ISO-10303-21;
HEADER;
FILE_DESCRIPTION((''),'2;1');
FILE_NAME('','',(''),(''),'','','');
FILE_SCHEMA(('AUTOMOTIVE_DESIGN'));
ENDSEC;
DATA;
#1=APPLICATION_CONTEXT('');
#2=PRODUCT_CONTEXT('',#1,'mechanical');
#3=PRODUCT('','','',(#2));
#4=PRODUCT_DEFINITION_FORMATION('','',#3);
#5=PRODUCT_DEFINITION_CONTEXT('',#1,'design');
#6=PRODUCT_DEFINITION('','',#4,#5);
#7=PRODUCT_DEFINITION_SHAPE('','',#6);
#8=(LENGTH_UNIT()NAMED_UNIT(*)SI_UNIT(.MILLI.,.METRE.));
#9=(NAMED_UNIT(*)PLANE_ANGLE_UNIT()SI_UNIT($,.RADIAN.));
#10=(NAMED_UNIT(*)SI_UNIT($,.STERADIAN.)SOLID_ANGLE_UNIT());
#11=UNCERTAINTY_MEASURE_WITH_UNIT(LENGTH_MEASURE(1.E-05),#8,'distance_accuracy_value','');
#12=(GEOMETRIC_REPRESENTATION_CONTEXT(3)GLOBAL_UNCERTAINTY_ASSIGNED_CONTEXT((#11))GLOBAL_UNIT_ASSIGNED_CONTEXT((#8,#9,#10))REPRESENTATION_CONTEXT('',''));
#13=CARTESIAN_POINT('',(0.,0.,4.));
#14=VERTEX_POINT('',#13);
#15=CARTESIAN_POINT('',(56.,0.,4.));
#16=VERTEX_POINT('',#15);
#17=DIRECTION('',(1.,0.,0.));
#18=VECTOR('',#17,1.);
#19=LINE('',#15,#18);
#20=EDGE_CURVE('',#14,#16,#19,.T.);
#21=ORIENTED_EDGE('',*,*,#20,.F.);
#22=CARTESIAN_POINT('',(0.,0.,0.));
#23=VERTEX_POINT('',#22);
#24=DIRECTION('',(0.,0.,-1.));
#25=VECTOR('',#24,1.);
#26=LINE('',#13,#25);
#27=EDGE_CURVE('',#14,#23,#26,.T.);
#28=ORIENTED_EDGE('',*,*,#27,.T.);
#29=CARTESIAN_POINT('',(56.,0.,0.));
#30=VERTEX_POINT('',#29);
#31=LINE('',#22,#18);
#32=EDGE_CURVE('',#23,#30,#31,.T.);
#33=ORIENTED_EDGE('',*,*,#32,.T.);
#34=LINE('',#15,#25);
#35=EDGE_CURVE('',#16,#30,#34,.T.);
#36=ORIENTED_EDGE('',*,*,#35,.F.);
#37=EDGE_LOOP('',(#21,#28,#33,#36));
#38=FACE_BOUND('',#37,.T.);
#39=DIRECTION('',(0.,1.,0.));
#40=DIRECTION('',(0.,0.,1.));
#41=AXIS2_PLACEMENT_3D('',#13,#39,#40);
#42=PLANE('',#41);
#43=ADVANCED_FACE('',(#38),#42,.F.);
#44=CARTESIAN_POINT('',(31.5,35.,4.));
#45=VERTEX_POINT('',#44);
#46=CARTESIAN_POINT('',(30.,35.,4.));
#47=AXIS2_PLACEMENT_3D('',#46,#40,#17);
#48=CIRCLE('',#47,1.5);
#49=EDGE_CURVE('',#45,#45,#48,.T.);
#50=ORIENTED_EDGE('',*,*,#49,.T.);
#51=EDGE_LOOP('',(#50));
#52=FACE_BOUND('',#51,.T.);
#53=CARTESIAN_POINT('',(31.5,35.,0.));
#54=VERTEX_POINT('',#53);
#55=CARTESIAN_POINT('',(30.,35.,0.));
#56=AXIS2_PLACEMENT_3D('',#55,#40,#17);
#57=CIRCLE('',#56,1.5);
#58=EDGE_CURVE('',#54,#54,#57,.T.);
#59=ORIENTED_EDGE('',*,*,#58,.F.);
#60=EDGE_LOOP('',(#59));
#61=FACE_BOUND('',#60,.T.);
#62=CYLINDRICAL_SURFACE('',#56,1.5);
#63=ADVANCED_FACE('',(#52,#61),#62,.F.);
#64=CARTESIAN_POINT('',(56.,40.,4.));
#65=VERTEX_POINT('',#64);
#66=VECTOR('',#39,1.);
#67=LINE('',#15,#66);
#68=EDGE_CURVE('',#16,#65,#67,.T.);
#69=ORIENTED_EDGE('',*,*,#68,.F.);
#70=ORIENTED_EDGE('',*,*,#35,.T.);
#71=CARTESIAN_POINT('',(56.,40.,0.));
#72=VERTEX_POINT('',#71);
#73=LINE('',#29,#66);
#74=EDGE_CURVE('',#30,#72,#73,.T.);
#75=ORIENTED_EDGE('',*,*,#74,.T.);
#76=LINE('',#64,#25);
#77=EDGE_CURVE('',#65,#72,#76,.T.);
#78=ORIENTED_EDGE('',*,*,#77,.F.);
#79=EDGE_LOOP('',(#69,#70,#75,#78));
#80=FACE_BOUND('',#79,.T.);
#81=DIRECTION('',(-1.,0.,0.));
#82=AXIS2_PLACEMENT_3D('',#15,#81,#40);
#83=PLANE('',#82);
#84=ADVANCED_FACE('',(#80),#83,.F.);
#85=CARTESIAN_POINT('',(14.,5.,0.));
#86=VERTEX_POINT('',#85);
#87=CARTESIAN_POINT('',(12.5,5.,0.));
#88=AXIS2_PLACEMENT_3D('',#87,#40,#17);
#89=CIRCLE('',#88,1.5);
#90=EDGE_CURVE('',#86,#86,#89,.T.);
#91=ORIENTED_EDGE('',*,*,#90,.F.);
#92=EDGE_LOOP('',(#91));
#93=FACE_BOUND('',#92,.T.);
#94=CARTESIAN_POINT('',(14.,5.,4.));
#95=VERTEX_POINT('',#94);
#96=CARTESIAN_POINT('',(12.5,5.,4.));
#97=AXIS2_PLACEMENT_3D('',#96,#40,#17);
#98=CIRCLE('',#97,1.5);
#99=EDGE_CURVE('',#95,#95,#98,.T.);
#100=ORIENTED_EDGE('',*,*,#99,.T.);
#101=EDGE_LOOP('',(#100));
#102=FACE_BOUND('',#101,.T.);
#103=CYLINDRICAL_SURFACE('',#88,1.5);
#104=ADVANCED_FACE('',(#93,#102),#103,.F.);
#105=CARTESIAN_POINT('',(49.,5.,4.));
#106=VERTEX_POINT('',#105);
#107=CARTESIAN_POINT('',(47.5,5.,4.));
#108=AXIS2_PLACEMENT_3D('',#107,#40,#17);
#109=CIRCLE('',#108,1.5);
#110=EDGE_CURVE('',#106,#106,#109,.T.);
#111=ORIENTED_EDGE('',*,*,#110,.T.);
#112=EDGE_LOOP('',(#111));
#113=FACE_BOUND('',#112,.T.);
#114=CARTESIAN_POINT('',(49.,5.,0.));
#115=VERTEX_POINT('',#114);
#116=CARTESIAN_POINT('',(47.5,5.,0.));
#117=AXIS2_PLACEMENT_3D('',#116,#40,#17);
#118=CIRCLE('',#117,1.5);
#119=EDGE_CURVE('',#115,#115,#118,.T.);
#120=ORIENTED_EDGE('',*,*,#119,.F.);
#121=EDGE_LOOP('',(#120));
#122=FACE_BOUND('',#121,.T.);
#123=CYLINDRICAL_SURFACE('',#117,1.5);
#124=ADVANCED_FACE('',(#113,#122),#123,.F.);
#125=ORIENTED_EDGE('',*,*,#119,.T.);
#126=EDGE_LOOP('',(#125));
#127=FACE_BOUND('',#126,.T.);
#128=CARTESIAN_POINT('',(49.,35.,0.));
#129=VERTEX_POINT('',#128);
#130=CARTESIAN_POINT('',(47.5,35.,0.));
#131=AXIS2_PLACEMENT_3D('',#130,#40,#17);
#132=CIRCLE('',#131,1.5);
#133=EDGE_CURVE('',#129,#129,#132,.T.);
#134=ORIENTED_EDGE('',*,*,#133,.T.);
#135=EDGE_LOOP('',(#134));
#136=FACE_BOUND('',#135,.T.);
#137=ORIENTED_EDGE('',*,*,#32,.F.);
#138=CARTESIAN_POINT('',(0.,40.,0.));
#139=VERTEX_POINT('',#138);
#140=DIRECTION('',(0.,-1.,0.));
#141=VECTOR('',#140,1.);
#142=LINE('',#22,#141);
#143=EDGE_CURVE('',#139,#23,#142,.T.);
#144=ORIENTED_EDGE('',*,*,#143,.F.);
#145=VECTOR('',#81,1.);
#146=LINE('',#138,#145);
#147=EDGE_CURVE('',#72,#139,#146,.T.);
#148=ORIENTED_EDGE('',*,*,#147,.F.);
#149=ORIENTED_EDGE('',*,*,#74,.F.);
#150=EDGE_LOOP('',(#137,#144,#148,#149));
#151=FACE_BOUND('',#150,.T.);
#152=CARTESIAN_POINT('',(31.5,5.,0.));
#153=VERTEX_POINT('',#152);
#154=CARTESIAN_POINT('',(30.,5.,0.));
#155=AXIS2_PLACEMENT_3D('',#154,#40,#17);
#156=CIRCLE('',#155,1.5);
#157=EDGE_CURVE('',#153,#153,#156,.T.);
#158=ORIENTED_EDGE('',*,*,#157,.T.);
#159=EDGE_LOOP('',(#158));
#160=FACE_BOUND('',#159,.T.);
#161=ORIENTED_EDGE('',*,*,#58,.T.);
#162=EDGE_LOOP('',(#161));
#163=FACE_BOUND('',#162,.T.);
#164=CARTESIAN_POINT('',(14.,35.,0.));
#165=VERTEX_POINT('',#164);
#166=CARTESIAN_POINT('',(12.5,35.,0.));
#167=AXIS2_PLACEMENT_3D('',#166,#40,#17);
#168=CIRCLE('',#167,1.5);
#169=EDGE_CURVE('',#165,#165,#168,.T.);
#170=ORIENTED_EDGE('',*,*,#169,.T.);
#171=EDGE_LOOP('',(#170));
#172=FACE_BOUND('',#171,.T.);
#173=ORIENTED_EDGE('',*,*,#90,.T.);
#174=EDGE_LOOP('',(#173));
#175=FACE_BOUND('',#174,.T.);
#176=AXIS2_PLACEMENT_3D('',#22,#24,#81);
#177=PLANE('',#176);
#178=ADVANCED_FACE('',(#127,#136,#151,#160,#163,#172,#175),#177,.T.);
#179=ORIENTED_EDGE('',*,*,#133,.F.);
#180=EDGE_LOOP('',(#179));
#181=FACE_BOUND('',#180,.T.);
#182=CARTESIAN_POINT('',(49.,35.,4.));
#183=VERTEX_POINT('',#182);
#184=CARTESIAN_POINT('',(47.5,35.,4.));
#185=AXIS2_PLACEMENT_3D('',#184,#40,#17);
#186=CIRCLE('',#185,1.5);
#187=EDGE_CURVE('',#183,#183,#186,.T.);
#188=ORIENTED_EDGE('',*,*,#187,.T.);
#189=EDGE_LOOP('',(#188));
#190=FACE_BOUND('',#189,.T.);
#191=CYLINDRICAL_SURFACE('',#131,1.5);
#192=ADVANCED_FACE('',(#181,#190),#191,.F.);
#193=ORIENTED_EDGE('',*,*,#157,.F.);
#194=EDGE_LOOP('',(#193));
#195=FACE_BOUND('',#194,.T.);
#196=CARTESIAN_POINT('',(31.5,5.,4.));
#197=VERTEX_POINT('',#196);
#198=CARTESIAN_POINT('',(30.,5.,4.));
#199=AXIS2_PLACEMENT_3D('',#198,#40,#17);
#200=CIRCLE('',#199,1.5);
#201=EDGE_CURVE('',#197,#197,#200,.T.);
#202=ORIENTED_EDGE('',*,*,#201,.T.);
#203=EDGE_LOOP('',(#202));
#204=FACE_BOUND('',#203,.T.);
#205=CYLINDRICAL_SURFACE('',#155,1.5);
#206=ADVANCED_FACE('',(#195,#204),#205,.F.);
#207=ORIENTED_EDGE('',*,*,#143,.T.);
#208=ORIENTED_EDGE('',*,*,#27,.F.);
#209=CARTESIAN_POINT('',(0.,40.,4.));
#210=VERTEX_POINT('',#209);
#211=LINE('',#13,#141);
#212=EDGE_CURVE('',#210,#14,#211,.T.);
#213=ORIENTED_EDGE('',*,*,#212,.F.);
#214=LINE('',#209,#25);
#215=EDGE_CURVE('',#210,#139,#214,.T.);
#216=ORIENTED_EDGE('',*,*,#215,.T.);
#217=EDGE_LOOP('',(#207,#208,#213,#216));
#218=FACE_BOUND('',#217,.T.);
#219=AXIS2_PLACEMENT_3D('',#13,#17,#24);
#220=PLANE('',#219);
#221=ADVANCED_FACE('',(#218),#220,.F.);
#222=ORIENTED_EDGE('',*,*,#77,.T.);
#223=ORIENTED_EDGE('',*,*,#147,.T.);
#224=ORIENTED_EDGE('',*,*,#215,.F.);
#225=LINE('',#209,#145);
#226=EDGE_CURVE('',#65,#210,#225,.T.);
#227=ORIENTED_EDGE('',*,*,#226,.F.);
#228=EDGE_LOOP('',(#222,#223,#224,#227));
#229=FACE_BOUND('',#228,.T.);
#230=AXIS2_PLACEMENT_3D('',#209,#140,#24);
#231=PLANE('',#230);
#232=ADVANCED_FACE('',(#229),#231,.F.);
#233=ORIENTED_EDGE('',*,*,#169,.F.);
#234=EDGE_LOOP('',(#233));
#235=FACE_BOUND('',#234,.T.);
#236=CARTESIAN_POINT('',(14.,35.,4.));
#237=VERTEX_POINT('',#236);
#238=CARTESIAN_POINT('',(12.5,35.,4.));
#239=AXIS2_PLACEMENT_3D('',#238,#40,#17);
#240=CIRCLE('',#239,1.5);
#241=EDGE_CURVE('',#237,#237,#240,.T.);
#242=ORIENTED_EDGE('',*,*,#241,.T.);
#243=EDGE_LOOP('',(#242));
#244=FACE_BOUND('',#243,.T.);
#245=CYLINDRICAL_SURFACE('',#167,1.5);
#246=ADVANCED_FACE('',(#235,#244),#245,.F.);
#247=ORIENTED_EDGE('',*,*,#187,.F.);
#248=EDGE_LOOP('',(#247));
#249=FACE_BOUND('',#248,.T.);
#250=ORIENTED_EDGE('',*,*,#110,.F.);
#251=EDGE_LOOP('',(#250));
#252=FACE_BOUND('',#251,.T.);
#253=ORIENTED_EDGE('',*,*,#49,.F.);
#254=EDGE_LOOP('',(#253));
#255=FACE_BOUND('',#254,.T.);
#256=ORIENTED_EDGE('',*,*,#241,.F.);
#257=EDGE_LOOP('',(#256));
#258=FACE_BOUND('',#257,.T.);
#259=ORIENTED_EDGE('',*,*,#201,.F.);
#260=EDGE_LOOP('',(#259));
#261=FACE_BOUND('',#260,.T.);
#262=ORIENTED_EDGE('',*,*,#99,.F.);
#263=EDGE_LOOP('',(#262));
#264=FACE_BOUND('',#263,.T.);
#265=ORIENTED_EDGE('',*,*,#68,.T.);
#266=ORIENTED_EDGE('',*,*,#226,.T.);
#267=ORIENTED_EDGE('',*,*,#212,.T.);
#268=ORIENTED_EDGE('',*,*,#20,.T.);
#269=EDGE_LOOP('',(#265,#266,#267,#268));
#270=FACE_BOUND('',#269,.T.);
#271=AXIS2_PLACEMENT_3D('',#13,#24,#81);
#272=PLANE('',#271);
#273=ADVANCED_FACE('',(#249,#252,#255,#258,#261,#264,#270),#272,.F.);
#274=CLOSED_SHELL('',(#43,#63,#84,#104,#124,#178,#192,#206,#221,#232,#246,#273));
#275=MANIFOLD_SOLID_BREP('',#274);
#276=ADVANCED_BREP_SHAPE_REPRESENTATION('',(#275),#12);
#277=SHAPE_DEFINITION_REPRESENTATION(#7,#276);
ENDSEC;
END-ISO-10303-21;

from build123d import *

# Parameters (mm, degrees)
SKETCH1_W           = 56
SKETCH1_H           = 40
BOSS_EXTRUDE1_DEPTH = 4
SKETCH3_W           = 56
SKETCH3_H           = 3
CUT_EXTRUDE2_DEPTH  = 2
SKETCH4_R           = 1.5
CUT_EXTRUDE3_DEPTH  = 5
SKETCH5_W           = 56
SKETCH5_H           = 3
BOSS_EXTRUDE2_DEPTH = 2


with BuildPart() as part:
    # Sketch1 → Boss-Extrude1 (new body)
    with BuildSketch(Plane.XY):
        with Locations((28, 20)):
            Rectangle(SKETCH1_W, SKETCH1_H)
    extrude(amount=BOSS_EXTRUDE1_DEPTH)

    # Sketch3 → Cut-Extrude2 (cut)
    with BuildSketch(Plane.XY.offset(4)):
        with Locations((28, 1.5)):
            Rectangle(SKETCH3_W, SKETCH3_H)
    extrude(amount=-CUT_EXTRUDE2_DEPTH, mode=Mode.SUBTRACT)

    # Sketch4 → Cut-Extrude3 (cut, through all)
    with BuildSketch(Plane.XY.offset(4)):
        with Locations((47.5, 5)):
            Circle(SKETCH4_R)
        with Locations((30, 5)):
            Circle(SKETCH4_R)
        with Locations((12.5, 5)):
            Circle(SKETCH4_R)
        with Locations((47.5, 35)):
            Circle(SKETCH4_R)
        with Locations((30, 35)):
            Circle(SKETCH4_R)
        with Locations((12.5, 35)):
            Circle(SKETCH4_R)
    extrude(amount=-CUT_EXTRUDE3_DEPTH, mode=Mode.SUBTRACT)

    # Sketch5 → Boss-Extrude2 (add)
    with BuildSketch(Plane.XY.offset(4)):
        with Locations((28, 1.5)):
            Rectangle(SKETCH5_W, SKETCH5_H)
    extrude(amount=-BOSS_EXTRUDE2_DEPTH)


solid = part.part
